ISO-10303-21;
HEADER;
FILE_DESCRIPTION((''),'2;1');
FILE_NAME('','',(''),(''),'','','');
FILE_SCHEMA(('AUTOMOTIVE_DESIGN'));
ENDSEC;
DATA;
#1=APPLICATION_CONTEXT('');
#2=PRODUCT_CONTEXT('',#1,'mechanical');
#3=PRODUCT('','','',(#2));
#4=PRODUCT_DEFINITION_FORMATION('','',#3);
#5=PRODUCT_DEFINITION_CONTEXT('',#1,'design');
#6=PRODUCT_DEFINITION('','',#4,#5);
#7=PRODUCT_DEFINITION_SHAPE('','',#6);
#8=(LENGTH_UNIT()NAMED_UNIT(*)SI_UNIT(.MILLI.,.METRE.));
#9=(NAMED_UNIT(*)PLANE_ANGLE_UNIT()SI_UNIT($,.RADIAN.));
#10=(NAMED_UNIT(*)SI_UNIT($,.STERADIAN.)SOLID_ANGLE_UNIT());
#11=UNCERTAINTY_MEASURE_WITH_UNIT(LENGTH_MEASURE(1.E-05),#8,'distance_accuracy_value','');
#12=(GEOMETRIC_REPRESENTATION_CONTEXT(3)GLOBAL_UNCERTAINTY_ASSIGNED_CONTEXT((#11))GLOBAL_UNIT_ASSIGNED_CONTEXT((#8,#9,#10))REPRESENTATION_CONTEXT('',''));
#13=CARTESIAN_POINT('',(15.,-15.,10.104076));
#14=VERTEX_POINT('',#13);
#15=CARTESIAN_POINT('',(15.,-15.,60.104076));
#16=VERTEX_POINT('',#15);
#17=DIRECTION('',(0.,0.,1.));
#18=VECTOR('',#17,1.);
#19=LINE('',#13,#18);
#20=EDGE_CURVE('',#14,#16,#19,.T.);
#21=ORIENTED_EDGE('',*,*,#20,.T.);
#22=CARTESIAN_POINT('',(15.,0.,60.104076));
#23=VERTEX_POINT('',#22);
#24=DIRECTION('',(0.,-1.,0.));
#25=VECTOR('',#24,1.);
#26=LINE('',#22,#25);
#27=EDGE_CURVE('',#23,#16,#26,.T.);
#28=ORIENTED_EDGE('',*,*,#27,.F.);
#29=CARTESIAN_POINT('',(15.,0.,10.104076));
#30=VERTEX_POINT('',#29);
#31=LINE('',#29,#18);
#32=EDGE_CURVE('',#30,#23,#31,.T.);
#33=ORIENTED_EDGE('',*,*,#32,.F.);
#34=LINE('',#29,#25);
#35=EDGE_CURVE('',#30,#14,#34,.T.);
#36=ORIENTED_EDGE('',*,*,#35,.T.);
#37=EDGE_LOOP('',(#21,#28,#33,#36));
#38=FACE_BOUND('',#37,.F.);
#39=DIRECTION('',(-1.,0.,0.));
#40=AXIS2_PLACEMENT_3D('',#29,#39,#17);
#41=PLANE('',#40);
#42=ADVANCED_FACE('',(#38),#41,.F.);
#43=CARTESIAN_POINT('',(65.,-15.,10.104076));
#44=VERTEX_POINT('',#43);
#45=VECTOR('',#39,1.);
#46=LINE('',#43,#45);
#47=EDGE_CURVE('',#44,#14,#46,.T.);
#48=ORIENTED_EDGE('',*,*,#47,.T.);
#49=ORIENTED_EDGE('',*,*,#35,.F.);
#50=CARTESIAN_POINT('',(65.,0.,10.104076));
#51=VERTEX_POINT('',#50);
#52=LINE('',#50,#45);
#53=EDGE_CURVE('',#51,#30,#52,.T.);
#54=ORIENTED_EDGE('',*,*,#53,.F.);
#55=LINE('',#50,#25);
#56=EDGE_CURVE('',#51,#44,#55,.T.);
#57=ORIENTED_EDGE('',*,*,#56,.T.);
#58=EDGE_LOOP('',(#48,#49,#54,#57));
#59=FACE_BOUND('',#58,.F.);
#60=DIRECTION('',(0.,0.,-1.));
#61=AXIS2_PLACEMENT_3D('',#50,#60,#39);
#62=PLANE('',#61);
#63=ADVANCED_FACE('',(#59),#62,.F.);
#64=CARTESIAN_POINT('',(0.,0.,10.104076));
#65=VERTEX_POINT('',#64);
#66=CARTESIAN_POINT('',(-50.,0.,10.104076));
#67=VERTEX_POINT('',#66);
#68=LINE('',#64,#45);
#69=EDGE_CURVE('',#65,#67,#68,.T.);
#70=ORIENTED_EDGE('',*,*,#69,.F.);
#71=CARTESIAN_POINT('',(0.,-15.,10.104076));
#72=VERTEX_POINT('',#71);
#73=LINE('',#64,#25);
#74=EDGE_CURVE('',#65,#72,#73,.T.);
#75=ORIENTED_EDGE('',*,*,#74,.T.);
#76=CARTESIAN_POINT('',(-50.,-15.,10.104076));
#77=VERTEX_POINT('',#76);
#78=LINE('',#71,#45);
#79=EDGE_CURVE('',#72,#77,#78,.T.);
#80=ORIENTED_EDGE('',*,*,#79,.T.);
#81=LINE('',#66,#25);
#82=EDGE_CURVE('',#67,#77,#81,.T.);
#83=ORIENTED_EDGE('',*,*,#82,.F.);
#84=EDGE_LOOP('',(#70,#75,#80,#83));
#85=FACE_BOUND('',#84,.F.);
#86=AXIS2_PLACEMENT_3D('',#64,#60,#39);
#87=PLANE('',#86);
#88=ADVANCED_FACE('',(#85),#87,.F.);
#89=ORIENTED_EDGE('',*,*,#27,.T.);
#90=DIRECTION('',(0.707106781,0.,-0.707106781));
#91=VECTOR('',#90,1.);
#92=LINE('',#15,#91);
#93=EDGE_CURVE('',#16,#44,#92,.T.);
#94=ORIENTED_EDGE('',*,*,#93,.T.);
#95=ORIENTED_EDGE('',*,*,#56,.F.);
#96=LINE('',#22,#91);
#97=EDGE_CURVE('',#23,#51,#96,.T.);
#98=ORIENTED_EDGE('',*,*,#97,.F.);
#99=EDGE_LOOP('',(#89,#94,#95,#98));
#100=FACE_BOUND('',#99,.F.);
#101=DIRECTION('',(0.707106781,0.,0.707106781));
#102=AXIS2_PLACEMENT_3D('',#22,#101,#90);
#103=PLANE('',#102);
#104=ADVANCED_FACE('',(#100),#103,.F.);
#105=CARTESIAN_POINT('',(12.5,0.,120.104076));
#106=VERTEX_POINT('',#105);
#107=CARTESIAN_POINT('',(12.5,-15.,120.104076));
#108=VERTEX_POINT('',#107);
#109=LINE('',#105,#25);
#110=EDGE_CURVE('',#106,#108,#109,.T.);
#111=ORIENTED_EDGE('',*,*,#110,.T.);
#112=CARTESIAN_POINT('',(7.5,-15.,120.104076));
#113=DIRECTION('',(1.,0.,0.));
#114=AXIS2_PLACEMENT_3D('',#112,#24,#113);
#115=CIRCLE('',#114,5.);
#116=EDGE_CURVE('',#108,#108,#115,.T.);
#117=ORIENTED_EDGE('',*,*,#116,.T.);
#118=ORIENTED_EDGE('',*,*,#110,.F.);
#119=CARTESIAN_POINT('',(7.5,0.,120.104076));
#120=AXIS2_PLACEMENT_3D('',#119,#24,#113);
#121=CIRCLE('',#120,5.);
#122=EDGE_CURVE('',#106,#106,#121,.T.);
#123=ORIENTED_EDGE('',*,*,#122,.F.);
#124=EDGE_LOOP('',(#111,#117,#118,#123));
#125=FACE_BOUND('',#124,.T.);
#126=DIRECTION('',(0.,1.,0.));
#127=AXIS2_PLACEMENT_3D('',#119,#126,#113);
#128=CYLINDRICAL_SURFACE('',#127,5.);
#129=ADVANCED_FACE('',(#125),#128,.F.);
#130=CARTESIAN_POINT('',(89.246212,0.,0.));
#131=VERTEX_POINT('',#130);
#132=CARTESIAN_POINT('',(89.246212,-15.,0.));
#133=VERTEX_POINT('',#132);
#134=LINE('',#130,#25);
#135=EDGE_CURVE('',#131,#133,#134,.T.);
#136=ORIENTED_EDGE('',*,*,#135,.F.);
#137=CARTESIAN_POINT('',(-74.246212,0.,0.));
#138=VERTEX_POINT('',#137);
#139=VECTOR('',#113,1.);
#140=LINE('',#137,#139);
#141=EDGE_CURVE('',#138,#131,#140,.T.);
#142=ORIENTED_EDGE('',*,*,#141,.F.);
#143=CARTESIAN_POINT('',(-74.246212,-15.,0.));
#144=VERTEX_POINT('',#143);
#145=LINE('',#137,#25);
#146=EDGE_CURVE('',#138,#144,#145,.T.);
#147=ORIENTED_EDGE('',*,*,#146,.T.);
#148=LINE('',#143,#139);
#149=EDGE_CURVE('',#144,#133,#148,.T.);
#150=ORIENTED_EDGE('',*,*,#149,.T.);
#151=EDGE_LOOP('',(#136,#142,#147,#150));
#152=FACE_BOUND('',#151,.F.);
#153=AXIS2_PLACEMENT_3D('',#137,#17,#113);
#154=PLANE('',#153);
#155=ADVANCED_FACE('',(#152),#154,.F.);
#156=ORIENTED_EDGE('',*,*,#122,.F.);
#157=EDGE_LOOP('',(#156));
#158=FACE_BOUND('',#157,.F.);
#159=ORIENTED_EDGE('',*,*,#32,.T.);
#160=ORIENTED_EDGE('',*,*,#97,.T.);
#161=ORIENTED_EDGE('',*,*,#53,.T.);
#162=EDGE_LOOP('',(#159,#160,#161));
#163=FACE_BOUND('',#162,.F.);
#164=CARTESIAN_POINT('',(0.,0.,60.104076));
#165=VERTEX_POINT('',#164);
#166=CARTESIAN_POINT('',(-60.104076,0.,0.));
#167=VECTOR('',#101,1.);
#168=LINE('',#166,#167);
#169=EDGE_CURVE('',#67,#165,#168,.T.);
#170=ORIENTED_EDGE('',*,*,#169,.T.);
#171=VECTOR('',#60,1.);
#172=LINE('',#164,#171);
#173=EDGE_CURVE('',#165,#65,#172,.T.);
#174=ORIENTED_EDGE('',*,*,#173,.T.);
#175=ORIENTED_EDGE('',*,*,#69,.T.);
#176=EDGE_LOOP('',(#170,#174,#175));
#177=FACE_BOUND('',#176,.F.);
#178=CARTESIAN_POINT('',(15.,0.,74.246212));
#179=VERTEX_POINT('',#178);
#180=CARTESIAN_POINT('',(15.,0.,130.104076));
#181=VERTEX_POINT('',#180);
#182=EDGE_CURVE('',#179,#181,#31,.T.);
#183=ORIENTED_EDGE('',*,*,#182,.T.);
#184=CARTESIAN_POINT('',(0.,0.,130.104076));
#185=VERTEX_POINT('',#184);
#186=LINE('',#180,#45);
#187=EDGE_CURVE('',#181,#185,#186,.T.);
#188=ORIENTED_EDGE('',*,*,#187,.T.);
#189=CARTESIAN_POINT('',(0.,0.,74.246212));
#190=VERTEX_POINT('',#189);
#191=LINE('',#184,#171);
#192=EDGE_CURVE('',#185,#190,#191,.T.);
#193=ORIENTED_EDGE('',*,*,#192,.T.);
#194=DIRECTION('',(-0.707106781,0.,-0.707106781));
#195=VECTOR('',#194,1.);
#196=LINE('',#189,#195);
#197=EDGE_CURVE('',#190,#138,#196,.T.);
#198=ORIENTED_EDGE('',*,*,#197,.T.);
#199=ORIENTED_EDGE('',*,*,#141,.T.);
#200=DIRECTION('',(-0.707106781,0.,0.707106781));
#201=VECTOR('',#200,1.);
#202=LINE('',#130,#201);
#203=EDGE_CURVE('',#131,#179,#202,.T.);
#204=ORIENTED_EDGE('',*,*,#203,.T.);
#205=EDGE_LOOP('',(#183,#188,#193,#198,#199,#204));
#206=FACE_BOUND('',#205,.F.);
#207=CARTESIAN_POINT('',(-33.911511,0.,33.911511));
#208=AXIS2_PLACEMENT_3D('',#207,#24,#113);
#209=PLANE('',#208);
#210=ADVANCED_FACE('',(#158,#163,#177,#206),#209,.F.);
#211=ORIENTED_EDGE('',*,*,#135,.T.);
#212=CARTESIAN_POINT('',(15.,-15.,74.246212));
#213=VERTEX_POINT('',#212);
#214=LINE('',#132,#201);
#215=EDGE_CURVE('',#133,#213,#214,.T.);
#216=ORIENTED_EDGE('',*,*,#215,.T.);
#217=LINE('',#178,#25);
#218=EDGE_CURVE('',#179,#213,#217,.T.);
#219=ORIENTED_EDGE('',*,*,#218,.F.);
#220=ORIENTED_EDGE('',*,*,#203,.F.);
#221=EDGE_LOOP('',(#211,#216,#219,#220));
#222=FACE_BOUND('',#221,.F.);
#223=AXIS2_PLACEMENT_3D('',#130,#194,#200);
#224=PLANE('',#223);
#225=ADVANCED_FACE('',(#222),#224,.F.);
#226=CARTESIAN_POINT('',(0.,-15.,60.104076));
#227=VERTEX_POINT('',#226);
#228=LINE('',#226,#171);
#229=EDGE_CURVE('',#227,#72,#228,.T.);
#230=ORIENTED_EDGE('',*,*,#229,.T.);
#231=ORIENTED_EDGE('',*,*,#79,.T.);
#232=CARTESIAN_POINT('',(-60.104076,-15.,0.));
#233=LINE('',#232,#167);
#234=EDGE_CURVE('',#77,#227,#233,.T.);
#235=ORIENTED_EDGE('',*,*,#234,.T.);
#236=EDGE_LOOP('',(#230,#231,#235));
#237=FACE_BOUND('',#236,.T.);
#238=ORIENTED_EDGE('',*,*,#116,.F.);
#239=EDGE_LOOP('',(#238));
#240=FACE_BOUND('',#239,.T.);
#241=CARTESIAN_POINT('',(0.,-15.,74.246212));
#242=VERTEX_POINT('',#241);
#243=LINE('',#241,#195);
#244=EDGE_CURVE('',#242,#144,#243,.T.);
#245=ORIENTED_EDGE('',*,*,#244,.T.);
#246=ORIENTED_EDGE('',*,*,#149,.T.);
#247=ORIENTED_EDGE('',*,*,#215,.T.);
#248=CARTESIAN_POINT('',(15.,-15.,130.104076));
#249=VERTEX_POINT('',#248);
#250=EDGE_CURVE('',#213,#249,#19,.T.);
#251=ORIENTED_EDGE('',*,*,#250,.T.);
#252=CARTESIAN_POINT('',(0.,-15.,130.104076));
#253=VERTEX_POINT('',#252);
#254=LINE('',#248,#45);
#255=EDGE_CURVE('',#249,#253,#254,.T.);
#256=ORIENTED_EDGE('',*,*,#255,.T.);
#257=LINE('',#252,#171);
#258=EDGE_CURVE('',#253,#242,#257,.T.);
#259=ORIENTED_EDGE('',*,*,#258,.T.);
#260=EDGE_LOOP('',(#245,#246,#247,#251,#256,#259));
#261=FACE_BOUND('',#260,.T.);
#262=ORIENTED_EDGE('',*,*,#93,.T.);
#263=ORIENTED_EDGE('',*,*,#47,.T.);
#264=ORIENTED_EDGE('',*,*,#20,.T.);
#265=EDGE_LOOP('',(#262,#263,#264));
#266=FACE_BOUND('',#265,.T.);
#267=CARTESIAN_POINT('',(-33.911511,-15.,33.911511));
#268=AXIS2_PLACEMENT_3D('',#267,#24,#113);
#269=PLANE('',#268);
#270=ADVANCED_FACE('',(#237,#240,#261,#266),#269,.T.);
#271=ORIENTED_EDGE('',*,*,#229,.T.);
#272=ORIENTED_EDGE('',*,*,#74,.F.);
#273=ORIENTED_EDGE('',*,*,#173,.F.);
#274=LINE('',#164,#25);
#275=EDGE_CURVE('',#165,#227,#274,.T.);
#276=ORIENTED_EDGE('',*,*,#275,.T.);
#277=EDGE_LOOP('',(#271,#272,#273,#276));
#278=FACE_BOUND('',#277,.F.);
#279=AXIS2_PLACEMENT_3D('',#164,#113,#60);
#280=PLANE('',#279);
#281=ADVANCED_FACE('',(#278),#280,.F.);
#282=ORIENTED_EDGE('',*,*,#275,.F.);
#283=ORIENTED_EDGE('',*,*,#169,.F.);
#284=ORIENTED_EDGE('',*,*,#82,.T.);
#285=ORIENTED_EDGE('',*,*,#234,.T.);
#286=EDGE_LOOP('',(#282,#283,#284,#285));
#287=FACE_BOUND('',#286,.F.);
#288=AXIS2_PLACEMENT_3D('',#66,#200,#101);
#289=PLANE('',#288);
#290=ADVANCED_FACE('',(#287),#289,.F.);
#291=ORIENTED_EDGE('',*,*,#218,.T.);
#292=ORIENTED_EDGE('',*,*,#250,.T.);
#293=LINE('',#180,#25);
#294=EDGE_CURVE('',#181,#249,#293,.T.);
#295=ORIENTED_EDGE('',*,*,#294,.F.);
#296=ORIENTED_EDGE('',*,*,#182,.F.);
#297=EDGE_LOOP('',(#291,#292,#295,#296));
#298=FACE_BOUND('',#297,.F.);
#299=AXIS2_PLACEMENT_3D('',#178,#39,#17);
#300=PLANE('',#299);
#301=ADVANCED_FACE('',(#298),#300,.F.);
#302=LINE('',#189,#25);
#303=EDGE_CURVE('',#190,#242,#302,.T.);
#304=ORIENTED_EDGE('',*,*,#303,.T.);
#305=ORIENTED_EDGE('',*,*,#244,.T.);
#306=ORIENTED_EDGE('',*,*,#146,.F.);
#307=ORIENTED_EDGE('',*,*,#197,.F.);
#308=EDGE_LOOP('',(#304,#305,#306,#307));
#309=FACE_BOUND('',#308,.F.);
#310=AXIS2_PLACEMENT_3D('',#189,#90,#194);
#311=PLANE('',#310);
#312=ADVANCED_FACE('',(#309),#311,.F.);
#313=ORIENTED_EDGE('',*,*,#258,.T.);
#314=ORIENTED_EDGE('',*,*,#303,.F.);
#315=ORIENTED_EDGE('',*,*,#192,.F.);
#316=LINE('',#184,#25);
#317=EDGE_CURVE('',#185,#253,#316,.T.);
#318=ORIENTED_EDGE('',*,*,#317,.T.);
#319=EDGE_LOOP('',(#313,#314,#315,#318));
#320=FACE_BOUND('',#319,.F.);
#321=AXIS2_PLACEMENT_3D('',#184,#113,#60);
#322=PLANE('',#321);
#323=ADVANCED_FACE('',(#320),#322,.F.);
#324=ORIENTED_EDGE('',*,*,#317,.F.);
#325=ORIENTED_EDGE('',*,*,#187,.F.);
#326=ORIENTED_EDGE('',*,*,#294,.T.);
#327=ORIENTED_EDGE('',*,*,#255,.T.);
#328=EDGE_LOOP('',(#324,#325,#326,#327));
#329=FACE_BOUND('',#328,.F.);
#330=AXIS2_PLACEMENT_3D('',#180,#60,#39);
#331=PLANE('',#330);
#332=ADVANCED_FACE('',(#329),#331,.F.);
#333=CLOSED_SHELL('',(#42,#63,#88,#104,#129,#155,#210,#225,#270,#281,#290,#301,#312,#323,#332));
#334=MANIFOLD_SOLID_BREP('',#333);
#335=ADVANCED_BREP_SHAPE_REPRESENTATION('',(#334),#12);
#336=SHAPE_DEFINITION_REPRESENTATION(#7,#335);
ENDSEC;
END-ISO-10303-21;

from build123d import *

# Parameters (mm, degrees)
F0_R     = 5
F1_DEPTH = 15


with BuildPart() as f1:
    # F0 (on Front) → F1 (new body)
    with BuildSketch(Plane.XZ):
        Polygon((0, 60.104076), (0, 74.246212), (-74.246212, 0), (-60.104076, 0), (-50, 10.104076), align=None)
        Polygon((0, 130.104076), (0, 74.246212), (0, 60.104076), (0, 10.104076), (15, 10.104076), (15, 60.104076), (15, 74.246212), (15, 130.104076), align=None)
        with Locations((7.5, 120.104076)):
            Circle(F0_R, mode=Mode.SUBTRACT)
        Polygon((-50, 10.104076), (-60.104076, 0), (75.104076, 0), (65, 10.104076), (15, 10.104076), (0, 10.104076), align=None)
        Polygon((65, 10.104076), (75.104076, 0), (89.246212, 0), (15, 74.246212), (15, 60.104076), align=None)
    extrude(amount=F1_DEPTH)


solid = f1.part
